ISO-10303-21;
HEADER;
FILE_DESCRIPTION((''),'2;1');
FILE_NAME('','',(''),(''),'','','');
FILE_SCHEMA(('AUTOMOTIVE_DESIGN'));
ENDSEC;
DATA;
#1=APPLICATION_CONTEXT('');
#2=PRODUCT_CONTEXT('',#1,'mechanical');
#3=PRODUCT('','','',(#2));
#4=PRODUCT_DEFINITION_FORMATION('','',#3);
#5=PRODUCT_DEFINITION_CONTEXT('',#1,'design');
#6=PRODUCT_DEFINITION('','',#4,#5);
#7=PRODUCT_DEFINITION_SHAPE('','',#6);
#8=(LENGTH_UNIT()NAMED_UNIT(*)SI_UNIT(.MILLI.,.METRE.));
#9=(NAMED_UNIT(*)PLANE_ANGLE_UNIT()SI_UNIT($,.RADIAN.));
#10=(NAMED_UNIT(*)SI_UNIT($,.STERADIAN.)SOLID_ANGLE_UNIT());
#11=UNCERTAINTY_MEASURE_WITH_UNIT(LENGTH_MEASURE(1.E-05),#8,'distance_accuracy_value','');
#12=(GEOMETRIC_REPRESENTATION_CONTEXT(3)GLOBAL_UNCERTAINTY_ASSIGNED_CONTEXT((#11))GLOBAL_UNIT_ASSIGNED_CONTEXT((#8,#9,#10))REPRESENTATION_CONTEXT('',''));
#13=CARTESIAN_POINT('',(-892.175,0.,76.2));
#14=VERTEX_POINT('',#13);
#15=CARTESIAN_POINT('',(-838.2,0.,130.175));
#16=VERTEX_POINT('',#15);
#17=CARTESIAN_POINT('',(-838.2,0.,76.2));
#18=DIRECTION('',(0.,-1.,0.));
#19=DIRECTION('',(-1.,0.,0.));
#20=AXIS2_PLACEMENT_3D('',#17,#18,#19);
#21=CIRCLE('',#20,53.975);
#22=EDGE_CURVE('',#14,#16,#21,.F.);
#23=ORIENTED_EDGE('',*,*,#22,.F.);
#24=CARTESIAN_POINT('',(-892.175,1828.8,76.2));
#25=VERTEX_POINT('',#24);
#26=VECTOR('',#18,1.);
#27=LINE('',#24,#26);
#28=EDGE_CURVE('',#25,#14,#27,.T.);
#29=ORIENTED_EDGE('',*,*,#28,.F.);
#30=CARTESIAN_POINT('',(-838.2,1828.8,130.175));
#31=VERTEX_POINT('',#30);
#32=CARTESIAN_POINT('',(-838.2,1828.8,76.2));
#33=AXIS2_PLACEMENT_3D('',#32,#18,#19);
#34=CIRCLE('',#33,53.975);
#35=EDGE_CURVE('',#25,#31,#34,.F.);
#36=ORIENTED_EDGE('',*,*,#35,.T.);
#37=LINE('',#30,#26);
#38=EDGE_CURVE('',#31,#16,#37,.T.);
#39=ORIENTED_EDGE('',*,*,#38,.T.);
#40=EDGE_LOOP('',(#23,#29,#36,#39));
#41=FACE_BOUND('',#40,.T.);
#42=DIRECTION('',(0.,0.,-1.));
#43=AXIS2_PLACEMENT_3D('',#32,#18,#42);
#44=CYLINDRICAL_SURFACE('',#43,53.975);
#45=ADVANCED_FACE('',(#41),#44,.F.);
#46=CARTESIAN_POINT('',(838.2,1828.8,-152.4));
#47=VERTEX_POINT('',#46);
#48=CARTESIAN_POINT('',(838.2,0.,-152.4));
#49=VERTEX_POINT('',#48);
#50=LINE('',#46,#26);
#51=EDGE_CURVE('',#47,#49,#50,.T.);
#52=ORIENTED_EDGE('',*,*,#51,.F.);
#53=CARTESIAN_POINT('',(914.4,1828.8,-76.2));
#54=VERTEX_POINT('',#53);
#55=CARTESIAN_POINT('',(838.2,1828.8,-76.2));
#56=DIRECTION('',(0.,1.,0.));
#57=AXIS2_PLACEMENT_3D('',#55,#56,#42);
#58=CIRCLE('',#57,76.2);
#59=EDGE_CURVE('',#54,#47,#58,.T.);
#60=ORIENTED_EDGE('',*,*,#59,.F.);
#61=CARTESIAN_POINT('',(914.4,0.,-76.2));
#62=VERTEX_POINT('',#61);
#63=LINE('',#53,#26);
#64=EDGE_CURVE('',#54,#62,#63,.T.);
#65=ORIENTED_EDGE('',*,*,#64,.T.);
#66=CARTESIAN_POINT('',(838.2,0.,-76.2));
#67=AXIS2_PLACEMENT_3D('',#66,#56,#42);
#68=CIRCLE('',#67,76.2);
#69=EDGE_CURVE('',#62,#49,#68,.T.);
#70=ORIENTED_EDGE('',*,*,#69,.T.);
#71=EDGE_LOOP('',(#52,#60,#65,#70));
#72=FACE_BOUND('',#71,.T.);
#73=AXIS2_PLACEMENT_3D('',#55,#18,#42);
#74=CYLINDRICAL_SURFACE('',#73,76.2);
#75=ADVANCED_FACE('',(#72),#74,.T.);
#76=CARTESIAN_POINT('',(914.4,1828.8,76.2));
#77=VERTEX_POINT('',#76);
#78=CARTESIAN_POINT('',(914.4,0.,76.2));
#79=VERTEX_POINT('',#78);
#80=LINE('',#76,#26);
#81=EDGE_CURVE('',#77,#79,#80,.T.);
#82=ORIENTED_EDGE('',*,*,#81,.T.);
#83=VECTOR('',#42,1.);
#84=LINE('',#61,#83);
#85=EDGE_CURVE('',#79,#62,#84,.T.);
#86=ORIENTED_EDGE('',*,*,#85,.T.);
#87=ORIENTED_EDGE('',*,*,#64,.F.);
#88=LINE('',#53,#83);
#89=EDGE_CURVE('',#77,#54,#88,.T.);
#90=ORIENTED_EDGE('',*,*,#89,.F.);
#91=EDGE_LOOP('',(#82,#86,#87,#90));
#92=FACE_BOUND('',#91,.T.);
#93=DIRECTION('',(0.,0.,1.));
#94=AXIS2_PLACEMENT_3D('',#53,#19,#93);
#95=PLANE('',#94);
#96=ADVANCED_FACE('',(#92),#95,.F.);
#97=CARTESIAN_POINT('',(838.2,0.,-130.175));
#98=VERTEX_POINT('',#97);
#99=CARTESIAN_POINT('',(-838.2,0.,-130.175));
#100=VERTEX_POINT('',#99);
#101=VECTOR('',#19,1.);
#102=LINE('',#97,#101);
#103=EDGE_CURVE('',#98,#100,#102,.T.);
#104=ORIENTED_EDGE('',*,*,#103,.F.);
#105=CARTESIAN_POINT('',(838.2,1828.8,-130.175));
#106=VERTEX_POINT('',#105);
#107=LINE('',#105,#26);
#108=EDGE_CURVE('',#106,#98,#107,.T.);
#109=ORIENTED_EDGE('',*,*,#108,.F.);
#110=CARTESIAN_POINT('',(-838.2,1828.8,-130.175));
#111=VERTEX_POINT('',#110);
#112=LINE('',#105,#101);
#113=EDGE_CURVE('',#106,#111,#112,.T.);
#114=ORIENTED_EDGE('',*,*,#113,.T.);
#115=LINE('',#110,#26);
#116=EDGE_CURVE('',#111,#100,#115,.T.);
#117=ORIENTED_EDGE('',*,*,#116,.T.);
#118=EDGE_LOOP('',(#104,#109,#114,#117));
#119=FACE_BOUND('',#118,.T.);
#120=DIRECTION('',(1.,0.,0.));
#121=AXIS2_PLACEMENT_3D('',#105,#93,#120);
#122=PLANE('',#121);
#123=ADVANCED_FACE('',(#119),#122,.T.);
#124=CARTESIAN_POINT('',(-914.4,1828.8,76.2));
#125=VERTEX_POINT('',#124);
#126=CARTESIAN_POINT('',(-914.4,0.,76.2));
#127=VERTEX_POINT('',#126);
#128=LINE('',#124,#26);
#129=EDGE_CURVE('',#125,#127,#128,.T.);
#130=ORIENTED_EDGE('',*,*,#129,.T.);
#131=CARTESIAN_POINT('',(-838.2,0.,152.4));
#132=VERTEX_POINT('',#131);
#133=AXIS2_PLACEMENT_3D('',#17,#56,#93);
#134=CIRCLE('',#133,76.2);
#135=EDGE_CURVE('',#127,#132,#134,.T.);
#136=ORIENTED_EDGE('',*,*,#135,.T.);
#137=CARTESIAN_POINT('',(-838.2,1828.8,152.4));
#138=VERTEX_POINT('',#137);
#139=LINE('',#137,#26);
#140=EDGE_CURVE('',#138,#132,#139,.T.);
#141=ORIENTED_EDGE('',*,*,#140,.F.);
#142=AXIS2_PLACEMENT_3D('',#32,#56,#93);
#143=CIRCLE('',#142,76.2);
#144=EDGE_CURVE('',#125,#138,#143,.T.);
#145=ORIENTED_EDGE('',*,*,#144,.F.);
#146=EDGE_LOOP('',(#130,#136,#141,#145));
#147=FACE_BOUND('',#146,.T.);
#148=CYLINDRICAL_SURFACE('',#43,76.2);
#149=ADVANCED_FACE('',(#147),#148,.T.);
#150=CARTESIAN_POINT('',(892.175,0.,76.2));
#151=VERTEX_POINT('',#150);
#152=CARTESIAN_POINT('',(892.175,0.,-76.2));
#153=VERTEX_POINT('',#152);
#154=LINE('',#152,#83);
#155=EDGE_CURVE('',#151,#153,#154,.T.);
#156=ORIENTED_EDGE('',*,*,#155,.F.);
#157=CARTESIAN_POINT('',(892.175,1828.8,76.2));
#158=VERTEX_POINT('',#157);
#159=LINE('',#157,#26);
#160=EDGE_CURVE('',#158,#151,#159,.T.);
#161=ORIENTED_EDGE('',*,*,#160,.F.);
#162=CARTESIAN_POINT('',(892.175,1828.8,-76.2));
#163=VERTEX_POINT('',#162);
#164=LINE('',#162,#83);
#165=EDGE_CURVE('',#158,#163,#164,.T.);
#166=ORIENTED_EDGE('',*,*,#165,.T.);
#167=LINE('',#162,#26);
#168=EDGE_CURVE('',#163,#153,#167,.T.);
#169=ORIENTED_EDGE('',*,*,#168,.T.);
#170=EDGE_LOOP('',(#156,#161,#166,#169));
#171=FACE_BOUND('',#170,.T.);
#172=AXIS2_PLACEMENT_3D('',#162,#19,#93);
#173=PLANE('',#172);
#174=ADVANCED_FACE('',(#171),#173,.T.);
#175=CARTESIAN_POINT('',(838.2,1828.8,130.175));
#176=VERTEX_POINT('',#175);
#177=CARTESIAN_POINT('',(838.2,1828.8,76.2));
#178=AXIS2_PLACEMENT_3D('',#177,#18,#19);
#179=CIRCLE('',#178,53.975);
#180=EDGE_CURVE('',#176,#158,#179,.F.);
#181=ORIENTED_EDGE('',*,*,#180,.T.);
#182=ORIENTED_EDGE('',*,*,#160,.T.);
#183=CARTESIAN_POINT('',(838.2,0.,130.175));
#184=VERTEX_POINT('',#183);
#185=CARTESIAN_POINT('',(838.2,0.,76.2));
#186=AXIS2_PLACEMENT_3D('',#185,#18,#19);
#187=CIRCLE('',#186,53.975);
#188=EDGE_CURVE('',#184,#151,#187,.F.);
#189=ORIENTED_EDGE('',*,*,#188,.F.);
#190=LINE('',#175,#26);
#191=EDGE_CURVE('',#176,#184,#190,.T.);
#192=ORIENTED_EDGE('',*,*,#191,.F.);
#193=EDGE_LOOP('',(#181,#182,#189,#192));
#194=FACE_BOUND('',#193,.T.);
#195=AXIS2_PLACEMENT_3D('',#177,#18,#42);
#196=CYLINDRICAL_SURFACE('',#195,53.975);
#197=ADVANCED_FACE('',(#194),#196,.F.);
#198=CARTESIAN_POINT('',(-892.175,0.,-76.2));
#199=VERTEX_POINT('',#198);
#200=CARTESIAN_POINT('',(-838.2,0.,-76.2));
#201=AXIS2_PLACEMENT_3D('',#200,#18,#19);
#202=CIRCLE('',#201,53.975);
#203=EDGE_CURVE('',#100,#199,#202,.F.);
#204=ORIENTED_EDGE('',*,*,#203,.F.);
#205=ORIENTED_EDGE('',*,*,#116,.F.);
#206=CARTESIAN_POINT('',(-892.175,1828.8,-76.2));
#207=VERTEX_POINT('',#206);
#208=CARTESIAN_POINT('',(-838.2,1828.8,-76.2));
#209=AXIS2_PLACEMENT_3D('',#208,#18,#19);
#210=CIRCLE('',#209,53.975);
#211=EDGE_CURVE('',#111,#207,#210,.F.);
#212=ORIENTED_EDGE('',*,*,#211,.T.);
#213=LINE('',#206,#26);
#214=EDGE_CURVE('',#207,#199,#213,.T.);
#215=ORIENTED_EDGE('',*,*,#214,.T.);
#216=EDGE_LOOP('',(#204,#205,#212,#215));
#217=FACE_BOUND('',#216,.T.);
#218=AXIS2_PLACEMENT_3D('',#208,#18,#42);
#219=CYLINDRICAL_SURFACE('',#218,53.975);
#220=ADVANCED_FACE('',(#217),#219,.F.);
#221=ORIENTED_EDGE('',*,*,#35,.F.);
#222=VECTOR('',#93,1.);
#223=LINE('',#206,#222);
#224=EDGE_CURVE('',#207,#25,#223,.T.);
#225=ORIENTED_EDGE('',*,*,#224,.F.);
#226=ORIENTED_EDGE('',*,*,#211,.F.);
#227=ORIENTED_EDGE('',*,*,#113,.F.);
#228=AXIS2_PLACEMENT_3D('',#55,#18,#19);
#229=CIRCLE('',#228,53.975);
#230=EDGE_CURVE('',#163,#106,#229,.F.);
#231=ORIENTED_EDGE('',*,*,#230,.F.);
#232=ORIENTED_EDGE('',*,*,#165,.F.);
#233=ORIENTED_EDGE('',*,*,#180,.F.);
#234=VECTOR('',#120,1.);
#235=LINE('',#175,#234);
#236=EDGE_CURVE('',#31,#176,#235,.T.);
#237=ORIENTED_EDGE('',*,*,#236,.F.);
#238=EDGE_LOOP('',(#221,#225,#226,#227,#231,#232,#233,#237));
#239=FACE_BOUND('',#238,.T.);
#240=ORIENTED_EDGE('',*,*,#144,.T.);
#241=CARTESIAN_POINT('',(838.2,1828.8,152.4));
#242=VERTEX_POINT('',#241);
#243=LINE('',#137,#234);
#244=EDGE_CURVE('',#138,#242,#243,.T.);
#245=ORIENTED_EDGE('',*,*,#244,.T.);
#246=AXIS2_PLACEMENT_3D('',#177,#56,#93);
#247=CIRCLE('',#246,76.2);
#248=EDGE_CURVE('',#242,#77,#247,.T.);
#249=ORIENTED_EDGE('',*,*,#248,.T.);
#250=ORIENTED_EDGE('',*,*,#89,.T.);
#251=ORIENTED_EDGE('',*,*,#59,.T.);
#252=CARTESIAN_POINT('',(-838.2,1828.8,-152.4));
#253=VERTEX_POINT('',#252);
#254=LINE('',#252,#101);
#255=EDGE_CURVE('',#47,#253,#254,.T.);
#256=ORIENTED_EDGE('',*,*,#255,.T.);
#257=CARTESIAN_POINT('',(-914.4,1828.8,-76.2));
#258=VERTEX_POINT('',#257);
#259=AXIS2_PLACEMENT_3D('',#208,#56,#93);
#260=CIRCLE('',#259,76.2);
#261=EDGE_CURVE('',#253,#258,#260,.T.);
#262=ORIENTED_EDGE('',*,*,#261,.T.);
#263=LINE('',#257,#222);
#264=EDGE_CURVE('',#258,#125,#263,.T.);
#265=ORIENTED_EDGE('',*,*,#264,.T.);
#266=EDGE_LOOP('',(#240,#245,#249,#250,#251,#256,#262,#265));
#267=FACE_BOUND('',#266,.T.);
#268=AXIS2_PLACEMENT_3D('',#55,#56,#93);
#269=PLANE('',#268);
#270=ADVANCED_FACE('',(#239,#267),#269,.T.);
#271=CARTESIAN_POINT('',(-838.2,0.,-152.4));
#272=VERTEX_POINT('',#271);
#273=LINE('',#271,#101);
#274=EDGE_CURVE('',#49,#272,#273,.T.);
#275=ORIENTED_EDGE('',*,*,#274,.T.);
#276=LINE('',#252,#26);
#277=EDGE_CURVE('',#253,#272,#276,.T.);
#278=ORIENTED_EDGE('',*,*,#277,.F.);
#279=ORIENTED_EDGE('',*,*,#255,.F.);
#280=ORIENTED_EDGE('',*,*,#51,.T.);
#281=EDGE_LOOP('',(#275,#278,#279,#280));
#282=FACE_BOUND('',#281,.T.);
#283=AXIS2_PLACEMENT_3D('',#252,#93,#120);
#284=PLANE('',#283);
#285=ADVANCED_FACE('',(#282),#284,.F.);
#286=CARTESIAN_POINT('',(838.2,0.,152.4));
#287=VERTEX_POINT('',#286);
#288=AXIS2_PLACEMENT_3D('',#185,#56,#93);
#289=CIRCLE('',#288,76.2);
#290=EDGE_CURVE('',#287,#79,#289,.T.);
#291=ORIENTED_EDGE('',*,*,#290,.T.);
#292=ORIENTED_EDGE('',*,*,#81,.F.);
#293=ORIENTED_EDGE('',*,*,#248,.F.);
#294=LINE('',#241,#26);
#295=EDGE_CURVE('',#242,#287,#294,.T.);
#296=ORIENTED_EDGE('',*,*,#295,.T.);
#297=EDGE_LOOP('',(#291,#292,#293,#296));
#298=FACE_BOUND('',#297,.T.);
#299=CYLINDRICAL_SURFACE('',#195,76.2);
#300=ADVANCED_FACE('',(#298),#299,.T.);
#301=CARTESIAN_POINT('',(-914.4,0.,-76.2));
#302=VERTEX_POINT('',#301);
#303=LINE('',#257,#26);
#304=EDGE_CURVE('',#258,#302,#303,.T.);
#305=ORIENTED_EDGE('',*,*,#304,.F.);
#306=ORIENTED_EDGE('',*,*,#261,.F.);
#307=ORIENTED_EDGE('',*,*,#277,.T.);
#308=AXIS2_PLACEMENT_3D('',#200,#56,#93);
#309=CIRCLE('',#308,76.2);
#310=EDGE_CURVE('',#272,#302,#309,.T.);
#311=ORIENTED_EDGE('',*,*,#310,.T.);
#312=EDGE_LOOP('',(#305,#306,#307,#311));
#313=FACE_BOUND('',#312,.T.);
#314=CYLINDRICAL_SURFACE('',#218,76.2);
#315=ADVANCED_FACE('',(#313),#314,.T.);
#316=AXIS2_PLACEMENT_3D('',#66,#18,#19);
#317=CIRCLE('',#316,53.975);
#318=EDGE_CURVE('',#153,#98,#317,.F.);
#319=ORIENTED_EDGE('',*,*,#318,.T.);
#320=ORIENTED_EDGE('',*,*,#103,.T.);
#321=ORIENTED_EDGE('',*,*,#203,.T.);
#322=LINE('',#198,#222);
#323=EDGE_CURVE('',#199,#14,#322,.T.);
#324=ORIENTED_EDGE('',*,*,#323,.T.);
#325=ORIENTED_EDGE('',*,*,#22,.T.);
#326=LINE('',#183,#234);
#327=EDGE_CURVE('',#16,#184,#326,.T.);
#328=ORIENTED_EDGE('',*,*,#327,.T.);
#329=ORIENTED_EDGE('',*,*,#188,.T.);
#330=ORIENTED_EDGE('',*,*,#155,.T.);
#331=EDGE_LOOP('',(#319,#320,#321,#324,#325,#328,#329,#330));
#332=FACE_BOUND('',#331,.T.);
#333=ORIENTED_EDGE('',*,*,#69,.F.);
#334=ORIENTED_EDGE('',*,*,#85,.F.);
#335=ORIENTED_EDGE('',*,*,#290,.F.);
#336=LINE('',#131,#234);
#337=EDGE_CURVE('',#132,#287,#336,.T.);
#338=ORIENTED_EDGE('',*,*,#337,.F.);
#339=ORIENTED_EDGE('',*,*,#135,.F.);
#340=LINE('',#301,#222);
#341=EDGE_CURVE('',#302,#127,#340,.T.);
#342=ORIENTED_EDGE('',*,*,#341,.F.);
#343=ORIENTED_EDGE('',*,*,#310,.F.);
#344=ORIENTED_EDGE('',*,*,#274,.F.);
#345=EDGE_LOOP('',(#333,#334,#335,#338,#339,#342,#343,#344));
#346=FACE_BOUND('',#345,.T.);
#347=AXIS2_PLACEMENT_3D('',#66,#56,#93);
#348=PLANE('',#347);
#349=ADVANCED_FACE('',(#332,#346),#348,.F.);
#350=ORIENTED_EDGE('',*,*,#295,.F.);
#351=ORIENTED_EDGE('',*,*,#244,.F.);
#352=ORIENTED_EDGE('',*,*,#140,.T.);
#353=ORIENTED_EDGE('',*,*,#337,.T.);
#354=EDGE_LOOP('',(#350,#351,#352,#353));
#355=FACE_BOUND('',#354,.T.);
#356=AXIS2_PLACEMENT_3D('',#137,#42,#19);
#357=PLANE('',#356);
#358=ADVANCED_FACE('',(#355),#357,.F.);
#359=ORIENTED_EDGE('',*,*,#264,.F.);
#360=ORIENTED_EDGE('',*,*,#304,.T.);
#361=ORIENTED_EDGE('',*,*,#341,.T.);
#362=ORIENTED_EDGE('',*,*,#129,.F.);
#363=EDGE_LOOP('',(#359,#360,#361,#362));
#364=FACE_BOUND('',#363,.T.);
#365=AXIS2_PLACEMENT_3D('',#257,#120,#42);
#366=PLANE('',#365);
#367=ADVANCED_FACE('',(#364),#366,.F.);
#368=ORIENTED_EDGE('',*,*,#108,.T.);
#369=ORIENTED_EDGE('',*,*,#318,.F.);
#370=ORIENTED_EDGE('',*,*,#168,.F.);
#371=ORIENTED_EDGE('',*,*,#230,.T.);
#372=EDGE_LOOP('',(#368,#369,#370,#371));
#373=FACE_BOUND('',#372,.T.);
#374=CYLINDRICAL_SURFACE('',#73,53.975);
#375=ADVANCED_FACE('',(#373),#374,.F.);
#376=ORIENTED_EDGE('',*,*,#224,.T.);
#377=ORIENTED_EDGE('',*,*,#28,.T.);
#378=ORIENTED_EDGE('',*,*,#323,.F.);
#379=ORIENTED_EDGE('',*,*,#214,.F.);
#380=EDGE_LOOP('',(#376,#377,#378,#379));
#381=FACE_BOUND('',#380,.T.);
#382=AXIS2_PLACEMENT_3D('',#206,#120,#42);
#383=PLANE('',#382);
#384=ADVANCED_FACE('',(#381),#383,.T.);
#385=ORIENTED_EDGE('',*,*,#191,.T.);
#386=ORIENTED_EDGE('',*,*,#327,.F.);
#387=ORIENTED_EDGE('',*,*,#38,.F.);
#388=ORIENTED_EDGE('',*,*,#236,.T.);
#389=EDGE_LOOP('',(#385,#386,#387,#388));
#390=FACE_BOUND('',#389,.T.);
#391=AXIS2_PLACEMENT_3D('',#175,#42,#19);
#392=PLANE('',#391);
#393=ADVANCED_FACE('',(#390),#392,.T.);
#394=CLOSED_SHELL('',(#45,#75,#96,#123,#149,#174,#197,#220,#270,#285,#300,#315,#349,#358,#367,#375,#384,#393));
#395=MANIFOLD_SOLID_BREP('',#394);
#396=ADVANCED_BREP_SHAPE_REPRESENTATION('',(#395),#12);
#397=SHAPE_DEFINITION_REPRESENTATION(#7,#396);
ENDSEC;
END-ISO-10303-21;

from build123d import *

# Parameters (mm, degrees)
EXTRUDE_THIN1_DEPTH = 1828.8


with BuildPart() as part:
    # Sketch1 → Extrude-Thin1 (new body)
    with BuildSketch(Plane(origin=(0, 0, 0), x_dir=(1, 0, 0), z_dir=(0, 1, 0))):
        with BuildLine():
            Line((-838.2, 152.4), (838.2, 152.4))
            ThreePointArc((838.2, 152.4), (892.081536726, 130.081536726), (914.4, 76.2))
            Line((914.4, 76.2), (914.4, -76.2))
            ThreePointArc((914.4, -76.2), (892.081536726, -130.081536726), (838.2, -152.4))
            Line((838.2, -152.4), (-838.2, -152.4))
            ThreePointArc((-838.2, -152.4), (-892.081536726, -130.081536726), (-914.4, -76.2))
            Line((-914.4, -76.2), (-914.4, 76.2))
            ThreePointArc((-914.4, 76.2), (-892.081536726, 130.081536726), (-838.2, 152.4))
        make_face()
        with BuildLine():
            Line((-838.2, 130.175), (838.2, 130.175))
            ThreePointArc((838.2, 130.175), (876.366088515, 114.366088515), (892.175, 76.2))
            Line((892.175, 76.2), (892.175, -76.2))
            ThreePointArc((892.175, -76.2), (876.366088515, -114.366088515), (838.2, -130.175))
            Line((838.2, -130.175), (-838.2, -130.175))
            ThreePointArc((-838.2, -130.175), (-876.366088515, -114.366088515), (-892.175, -76.2))
            Line((-892.175, -76.2), (-892.175, 76.2))
            ThreePointArc((-892.175, 76.2), (-876.366088515, 114.366088515), (-838.2, 130.175))
        make_face(mode=Mode.SUBTRACT)
    extrude(amount=EXTRUDE_THIN1_DEPTH)


solid = part.part
